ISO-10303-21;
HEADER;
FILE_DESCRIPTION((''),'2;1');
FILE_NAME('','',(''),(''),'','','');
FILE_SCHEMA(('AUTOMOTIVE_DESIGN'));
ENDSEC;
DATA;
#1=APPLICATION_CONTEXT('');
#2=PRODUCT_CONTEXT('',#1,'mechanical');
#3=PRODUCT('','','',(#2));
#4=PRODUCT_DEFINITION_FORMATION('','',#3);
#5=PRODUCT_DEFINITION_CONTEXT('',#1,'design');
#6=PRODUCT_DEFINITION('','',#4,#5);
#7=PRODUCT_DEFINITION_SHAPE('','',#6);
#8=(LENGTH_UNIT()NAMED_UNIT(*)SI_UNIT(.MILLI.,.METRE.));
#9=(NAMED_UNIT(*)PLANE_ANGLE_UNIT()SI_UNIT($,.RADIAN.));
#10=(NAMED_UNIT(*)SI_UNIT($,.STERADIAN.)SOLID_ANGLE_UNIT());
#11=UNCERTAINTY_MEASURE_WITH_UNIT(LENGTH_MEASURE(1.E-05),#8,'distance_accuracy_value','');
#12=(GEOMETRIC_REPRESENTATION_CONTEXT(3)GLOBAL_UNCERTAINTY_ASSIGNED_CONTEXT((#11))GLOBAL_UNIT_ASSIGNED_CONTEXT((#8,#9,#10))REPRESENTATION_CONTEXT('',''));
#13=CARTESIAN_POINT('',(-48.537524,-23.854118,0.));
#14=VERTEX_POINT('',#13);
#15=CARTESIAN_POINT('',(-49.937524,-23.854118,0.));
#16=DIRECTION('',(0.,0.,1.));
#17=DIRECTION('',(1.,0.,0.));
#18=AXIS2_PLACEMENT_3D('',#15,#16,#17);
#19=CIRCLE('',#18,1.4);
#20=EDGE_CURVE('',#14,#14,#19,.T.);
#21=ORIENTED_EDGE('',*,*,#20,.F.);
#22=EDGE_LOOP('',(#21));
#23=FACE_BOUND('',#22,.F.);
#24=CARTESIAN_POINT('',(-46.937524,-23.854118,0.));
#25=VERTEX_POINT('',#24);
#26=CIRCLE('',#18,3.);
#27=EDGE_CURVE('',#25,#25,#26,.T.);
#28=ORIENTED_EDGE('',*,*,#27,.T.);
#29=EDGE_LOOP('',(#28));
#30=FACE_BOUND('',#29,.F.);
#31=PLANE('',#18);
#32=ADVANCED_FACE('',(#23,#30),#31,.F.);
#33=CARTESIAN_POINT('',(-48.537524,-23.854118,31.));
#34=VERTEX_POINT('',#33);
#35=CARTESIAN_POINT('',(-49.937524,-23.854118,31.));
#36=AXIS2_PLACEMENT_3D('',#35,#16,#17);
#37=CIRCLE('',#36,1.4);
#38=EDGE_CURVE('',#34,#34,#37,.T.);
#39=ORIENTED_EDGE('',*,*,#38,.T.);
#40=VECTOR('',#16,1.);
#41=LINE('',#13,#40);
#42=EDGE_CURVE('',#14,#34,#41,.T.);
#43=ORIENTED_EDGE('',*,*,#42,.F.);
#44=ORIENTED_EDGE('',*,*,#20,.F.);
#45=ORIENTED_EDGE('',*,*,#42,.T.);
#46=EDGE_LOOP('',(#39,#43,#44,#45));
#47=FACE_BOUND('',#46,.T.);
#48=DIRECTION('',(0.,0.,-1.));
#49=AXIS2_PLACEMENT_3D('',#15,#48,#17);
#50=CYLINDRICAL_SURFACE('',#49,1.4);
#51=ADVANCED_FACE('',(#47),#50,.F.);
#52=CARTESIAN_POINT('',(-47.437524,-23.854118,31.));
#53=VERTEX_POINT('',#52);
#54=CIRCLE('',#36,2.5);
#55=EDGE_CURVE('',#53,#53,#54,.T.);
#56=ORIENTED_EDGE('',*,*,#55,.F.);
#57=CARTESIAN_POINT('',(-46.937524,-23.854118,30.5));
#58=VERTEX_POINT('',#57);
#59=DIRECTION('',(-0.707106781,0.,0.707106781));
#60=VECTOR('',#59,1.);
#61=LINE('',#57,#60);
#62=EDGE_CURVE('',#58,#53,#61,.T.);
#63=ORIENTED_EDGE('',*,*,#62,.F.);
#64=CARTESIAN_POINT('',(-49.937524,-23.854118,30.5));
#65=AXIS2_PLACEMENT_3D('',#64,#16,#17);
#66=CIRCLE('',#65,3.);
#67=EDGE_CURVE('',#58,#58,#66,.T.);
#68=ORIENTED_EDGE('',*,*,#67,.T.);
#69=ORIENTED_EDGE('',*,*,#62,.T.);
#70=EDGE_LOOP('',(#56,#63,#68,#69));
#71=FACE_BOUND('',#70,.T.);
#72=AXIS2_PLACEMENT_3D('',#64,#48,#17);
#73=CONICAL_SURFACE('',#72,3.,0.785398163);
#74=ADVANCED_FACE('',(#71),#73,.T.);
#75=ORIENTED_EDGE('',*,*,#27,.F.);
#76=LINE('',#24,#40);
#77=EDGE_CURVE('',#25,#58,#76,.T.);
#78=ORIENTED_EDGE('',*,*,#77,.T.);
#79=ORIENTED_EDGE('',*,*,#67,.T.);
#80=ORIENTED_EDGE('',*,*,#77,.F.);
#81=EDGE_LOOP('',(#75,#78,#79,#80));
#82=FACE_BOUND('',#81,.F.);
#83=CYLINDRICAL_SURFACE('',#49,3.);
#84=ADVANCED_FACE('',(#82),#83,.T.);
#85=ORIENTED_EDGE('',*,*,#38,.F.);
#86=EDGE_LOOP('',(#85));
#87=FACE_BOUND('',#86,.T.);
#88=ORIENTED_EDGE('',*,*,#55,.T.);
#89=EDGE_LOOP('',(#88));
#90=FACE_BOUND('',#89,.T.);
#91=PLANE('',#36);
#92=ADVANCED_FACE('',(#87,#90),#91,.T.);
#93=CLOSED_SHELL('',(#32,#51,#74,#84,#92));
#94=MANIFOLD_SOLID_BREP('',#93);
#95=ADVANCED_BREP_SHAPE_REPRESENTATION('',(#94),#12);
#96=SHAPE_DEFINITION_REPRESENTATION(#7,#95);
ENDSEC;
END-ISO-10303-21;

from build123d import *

# Parameters (mm, degrees)
F0_R     = 3
F0_R_2   = 1.4
F1_DEPTH = 31
F2_SIZE  = 0.5


with BuildPart() as f1:
    # F0 (on Top) → F1 (new body)
    with BuildSketch(Plane.XY):
        with Locations((-49.937524, -23.854118)):
            Circle(F0_R)
        with Locations((-49.937524, -23.854118)):
            Circle(F0_R_2, mode=Mode.SUBTRACT)
    extrude(amount=F1_DEPTH)

    # F2
    f2_edges = [f1.edges().sort_by_distance(p)[0] for p in [
        (-52.937524, -23.854118, 31),
    ]]
    chamfer(f2_edges, length=F2_SIZE)


solid = f1.part
